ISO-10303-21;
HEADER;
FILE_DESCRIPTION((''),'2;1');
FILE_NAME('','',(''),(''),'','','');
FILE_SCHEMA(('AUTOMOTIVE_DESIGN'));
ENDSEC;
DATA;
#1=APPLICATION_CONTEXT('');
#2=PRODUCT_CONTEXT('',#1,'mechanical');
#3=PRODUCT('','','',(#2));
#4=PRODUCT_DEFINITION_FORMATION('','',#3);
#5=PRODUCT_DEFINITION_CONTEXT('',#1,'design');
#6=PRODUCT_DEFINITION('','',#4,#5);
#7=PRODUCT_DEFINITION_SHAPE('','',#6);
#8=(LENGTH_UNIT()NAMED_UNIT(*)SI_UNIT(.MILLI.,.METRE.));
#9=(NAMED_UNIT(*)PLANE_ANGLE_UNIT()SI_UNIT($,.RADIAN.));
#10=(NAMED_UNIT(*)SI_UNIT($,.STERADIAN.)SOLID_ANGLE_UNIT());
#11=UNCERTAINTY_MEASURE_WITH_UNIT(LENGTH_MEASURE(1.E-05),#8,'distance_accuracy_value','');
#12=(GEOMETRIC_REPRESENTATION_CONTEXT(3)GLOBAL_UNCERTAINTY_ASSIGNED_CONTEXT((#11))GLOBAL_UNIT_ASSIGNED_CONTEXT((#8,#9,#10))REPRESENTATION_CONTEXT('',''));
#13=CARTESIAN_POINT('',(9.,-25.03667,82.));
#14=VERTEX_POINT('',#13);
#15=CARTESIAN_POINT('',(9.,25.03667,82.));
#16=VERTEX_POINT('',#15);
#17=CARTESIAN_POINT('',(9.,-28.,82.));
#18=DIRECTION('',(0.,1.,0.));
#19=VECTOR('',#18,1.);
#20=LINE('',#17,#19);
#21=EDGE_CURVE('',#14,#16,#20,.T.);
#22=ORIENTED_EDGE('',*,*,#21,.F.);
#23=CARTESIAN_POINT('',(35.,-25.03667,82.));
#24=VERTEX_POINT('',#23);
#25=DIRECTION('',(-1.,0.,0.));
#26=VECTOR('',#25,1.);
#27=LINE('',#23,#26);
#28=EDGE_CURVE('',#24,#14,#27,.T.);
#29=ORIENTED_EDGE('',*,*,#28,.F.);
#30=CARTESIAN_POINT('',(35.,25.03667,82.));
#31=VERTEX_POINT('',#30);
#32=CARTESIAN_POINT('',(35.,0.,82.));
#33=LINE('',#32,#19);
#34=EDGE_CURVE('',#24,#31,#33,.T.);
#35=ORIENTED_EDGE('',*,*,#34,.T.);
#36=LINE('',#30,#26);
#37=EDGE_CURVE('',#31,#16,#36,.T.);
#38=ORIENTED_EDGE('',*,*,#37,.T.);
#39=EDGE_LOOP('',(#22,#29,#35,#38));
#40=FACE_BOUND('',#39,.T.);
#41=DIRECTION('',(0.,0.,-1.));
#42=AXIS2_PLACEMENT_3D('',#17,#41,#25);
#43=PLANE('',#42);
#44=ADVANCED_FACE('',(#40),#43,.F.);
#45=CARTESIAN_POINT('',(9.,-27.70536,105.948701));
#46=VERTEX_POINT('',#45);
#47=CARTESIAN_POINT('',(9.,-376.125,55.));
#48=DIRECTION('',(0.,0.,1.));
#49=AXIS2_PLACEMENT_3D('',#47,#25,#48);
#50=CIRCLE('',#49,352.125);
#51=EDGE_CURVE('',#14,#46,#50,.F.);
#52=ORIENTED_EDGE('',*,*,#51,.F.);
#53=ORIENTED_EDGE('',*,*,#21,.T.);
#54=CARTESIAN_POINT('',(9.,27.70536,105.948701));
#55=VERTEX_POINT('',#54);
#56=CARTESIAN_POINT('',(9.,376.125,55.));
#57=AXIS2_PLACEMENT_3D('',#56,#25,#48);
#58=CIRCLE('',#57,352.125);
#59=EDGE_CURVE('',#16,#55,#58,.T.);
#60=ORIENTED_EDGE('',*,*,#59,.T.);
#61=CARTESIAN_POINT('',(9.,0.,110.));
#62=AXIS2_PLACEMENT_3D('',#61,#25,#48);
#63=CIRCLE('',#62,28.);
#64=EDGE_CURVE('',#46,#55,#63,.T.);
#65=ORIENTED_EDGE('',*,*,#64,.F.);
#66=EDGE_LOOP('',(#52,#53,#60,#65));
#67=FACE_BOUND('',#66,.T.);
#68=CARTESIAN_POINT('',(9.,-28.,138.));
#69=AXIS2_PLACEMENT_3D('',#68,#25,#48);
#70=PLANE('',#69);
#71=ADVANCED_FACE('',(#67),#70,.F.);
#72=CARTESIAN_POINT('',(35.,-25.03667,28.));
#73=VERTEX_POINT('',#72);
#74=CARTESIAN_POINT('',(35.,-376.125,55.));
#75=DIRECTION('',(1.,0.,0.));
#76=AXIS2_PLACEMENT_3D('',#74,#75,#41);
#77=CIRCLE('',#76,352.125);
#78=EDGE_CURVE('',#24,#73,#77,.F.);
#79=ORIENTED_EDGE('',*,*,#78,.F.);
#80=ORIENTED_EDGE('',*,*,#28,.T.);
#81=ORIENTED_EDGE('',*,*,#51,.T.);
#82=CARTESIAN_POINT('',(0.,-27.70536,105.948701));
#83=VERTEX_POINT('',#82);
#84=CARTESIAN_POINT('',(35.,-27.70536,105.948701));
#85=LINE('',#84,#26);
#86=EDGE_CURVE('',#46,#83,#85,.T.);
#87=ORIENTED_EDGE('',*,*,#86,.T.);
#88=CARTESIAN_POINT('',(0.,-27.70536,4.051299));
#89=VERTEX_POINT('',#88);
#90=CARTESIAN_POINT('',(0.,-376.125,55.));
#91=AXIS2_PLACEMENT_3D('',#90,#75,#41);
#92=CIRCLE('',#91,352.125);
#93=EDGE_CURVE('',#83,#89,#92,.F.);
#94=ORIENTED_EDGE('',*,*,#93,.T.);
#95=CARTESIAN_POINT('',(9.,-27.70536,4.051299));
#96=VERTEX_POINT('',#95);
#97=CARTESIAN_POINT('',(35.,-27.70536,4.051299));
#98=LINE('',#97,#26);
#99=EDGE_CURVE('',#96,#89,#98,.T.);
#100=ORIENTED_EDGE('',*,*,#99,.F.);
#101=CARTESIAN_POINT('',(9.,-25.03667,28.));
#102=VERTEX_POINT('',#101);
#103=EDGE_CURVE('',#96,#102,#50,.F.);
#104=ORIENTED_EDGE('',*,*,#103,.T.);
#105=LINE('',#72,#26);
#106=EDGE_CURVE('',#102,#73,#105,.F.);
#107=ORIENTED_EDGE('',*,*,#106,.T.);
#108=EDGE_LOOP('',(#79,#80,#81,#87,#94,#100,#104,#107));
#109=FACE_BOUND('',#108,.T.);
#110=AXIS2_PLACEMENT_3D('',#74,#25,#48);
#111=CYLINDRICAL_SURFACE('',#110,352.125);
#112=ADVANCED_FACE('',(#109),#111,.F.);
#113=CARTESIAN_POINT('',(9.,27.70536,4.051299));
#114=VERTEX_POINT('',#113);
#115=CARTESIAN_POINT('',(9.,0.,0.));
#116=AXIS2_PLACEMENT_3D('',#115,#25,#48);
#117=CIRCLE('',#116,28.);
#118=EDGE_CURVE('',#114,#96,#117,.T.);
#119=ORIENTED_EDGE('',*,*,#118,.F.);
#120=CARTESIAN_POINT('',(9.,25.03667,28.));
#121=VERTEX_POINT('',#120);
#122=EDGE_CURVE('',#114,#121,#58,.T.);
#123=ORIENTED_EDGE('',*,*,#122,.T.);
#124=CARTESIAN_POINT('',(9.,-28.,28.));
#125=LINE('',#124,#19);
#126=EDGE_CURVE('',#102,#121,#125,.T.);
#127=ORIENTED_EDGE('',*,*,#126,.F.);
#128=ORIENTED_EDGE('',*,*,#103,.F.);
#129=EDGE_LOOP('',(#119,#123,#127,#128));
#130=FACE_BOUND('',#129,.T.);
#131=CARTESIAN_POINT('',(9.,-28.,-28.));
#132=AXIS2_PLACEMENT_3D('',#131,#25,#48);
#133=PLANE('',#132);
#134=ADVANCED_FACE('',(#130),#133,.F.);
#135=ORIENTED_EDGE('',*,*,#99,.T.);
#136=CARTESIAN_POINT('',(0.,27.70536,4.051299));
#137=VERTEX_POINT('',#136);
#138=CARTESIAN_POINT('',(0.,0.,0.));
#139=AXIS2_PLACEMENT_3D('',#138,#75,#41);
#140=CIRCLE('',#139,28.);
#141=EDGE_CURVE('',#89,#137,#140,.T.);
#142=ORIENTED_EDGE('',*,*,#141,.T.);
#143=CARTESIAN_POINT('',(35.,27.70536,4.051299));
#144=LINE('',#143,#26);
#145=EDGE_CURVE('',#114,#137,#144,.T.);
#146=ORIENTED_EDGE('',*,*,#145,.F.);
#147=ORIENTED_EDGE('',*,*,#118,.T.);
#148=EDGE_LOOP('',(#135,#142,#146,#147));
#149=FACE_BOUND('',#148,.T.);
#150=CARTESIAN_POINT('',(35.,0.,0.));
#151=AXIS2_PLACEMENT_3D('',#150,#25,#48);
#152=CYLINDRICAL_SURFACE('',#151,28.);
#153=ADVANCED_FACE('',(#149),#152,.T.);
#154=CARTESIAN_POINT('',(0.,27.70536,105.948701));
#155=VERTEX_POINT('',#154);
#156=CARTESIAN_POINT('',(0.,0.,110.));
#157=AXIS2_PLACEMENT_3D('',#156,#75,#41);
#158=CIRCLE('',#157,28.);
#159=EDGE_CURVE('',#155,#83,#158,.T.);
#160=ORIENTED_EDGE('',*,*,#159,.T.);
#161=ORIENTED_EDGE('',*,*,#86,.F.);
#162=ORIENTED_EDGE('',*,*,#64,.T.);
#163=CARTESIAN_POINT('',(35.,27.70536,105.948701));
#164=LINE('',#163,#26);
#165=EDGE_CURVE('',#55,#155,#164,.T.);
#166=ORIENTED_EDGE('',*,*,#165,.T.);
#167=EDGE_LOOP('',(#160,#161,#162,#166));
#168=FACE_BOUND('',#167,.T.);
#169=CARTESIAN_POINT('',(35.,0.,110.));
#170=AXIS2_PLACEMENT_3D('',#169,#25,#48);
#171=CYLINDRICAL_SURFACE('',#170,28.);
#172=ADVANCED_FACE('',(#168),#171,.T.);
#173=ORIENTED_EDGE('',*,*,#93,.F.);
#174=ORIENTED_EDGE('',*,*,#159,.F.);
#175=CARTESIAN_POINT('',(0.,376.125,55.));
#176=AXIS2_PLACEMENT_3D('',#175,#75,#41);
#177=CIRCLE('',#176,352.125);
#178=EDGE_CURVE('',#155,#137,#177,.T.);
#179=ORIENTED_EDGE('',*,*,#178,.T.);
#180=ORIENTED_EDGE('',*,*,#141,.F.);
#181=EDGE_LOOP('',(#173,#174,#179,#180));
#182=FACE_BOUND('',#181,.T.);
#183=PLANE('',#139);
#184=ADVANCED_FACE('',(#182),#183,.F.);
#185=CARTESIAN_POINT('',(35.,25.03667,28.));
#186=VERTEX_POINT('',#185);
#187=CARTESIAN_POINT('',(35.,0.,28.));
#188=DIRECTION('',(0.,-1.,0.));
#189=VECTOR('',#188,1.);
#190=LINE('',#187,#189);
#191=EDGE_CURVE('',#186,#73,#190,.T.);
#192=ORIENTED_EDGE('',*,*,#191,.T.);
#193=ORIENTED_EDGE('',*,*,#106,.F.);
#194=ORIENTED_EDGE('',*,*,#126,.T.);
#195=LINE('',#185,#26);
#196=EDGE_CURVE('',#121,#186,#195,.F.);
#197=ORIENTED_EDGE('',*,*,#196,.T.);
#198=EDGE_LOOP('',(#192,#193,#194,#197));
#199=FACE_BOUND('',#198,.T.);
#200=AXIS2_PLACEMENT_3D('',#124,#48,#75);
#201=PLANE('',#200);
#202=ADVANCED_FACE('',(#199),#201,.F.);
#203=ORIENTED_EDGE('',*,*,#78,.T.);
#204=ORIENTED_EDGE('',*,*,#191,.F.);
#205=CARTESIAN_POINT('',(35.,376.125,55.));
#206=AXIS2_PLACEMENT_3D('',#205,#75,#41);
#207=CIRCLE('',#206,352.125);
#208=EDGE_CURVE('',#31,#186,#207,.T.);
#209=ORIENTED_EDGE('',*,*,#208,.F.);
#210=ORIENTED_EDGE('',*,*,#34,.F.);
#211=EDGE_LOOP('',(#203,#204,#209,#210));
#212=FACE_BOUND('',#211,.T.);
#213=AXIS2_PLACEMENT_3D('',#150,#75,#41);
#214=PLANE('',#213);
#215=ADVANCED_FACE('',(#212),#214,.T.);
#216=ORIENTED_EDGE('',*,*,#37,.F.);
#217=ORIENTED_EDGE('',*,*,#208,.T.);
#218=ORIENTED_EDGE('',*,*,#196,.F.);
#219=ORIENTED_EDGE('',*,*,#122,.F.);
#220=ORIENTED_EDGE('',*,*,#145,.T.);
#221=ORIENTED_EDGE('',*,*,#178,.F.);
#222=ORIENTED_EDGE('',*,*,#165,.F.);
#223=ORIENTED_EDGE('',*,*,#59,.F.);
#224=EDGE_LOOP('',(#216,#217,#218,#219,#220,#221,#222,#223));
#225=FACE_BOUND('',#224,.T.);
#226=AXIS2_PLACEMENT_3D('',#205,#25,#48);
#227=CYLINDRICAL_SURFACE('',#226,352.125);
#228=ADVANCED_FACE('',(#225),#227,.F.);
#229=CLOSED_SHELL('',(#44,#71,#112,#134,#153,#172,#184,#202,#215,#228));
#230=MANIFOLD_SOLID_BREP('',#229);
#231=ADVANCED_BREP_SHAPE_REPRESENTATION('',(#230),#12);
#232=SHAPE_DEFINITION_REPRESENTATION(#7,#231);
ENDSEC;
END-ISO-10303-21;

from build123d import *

# Parameters (mm, degrees)
BOSS_EXTRUDE1_DEPTH     = 35
CUT_EXTRUDE1_DEPTH      = 146.0965196
CUT_EXTRUDE1_DEPTH_BACK = 146.0965196
SKETCH4_W               = 52
SKETCH4_H               = 56


with BuildPart() as part:
    # Sketch1 → Boss-Extrude1 (new body)
    with BuildSketch(Plane(origin=(0, 0, 0), x_dir=(0, 0, -1), z_dir=(1, 0, 0))):
        with BuildLine():
            ThreePointArc((-4.051298915, 27.705360079), (-21.182969216, 18.310702204), (-28, 0))
            Line((-28, 0), (28, 0))
            ThreePointArc((28, 0), (18.310702204, 21.182969216), (-4.051298915, 27.705360079))
        make_face()
        with BuildLine():
            Line((28, 0), (-28, 0))
            ThreePointArc((-28, 0), (-21.182969216, -18.310702204), (-4.051298915, -27.705360079))
            ThreePointArc((-4.051298915, -27.705360079), (18.310702204, -21.182969216), (28, 0))
        make_face()
        with BuildLine():
            ThreePointArc((-105.948701085, 27.705360079), (-88.817030784, 18.310702204), (-82, 0))
            Line((-82, 0), (-28, 0))
            ThreePointArc((-28, 0), (-21.182969216, 18.310702204), (-4.051298915, 27.705360079))
            ThreePointArc((-4.051298915, 27.705360079), (-55, 24), (-105.948701085, 27.705360079))
        make_face()
        with BuildLine():
            Line((-28, 0), (-82, 0))
            ThreePointArc((-82, 0), (-88.817030784, -18.310702204), (-105.948701085, -27.705360079))
            ThreePointArc((-105.948701085, -27.705360079), (-55, -24), (-4.051298915, -27.705360079))
            ThreePointArc((-4.051298915, -27.705360079), (-21.182969216, -18.310702204), (-28, 0))
        make_face()
        with BuildLine():
            ThreePointArc((-105.948701085, 27.705360079), (-128.310702204, 21.182969216), (-138, 0))
            Line((-138, 0), (-82, 0))
            ThreePointArc((-82, 0), (-88.817030784, 18.310702204), (-105.948701085, 27.705360079))
        make_face()
        with BuildLine():
            Line((-82, 0), (-138, 0))
            ThreePointArc((-138, 0), (-128.310702204, -21.182969216), (-105.948701085, -27.705360079))
            ThreePointArc((-105.948701085, -27.705360079), (-88.817030784, -18.310702204), (-82, 0))
        make_face()
    extrude(amount=BOSS_EXTRUDE1_DEPTH)

    # Sketch4 → Cut-Extrude1 (cut, two sides: drawn at the far end of the back side and taken through both)
    with BuildSketch(Plane(origin=(0, 0, 0), x_dir=(1, 0, 0), z_dir=(0, 1, 0)).offset(-CUT_EXTRUDE1_DEPTH_BACK)):
        with Locations((35, 0)):
            Rectangle(SKETCH4_W, SKETCH4_H)
        with Locations((35, -110)):
            Rectangle(SKETCH4_W, SKETCH4_H)
    extrude(amount=CUT_EXTRUDE1_DEPTH + CUT_EXTRUDE1_DEPTH_BACK, mode=Mode.SUBTRACT)


solid = part.part
